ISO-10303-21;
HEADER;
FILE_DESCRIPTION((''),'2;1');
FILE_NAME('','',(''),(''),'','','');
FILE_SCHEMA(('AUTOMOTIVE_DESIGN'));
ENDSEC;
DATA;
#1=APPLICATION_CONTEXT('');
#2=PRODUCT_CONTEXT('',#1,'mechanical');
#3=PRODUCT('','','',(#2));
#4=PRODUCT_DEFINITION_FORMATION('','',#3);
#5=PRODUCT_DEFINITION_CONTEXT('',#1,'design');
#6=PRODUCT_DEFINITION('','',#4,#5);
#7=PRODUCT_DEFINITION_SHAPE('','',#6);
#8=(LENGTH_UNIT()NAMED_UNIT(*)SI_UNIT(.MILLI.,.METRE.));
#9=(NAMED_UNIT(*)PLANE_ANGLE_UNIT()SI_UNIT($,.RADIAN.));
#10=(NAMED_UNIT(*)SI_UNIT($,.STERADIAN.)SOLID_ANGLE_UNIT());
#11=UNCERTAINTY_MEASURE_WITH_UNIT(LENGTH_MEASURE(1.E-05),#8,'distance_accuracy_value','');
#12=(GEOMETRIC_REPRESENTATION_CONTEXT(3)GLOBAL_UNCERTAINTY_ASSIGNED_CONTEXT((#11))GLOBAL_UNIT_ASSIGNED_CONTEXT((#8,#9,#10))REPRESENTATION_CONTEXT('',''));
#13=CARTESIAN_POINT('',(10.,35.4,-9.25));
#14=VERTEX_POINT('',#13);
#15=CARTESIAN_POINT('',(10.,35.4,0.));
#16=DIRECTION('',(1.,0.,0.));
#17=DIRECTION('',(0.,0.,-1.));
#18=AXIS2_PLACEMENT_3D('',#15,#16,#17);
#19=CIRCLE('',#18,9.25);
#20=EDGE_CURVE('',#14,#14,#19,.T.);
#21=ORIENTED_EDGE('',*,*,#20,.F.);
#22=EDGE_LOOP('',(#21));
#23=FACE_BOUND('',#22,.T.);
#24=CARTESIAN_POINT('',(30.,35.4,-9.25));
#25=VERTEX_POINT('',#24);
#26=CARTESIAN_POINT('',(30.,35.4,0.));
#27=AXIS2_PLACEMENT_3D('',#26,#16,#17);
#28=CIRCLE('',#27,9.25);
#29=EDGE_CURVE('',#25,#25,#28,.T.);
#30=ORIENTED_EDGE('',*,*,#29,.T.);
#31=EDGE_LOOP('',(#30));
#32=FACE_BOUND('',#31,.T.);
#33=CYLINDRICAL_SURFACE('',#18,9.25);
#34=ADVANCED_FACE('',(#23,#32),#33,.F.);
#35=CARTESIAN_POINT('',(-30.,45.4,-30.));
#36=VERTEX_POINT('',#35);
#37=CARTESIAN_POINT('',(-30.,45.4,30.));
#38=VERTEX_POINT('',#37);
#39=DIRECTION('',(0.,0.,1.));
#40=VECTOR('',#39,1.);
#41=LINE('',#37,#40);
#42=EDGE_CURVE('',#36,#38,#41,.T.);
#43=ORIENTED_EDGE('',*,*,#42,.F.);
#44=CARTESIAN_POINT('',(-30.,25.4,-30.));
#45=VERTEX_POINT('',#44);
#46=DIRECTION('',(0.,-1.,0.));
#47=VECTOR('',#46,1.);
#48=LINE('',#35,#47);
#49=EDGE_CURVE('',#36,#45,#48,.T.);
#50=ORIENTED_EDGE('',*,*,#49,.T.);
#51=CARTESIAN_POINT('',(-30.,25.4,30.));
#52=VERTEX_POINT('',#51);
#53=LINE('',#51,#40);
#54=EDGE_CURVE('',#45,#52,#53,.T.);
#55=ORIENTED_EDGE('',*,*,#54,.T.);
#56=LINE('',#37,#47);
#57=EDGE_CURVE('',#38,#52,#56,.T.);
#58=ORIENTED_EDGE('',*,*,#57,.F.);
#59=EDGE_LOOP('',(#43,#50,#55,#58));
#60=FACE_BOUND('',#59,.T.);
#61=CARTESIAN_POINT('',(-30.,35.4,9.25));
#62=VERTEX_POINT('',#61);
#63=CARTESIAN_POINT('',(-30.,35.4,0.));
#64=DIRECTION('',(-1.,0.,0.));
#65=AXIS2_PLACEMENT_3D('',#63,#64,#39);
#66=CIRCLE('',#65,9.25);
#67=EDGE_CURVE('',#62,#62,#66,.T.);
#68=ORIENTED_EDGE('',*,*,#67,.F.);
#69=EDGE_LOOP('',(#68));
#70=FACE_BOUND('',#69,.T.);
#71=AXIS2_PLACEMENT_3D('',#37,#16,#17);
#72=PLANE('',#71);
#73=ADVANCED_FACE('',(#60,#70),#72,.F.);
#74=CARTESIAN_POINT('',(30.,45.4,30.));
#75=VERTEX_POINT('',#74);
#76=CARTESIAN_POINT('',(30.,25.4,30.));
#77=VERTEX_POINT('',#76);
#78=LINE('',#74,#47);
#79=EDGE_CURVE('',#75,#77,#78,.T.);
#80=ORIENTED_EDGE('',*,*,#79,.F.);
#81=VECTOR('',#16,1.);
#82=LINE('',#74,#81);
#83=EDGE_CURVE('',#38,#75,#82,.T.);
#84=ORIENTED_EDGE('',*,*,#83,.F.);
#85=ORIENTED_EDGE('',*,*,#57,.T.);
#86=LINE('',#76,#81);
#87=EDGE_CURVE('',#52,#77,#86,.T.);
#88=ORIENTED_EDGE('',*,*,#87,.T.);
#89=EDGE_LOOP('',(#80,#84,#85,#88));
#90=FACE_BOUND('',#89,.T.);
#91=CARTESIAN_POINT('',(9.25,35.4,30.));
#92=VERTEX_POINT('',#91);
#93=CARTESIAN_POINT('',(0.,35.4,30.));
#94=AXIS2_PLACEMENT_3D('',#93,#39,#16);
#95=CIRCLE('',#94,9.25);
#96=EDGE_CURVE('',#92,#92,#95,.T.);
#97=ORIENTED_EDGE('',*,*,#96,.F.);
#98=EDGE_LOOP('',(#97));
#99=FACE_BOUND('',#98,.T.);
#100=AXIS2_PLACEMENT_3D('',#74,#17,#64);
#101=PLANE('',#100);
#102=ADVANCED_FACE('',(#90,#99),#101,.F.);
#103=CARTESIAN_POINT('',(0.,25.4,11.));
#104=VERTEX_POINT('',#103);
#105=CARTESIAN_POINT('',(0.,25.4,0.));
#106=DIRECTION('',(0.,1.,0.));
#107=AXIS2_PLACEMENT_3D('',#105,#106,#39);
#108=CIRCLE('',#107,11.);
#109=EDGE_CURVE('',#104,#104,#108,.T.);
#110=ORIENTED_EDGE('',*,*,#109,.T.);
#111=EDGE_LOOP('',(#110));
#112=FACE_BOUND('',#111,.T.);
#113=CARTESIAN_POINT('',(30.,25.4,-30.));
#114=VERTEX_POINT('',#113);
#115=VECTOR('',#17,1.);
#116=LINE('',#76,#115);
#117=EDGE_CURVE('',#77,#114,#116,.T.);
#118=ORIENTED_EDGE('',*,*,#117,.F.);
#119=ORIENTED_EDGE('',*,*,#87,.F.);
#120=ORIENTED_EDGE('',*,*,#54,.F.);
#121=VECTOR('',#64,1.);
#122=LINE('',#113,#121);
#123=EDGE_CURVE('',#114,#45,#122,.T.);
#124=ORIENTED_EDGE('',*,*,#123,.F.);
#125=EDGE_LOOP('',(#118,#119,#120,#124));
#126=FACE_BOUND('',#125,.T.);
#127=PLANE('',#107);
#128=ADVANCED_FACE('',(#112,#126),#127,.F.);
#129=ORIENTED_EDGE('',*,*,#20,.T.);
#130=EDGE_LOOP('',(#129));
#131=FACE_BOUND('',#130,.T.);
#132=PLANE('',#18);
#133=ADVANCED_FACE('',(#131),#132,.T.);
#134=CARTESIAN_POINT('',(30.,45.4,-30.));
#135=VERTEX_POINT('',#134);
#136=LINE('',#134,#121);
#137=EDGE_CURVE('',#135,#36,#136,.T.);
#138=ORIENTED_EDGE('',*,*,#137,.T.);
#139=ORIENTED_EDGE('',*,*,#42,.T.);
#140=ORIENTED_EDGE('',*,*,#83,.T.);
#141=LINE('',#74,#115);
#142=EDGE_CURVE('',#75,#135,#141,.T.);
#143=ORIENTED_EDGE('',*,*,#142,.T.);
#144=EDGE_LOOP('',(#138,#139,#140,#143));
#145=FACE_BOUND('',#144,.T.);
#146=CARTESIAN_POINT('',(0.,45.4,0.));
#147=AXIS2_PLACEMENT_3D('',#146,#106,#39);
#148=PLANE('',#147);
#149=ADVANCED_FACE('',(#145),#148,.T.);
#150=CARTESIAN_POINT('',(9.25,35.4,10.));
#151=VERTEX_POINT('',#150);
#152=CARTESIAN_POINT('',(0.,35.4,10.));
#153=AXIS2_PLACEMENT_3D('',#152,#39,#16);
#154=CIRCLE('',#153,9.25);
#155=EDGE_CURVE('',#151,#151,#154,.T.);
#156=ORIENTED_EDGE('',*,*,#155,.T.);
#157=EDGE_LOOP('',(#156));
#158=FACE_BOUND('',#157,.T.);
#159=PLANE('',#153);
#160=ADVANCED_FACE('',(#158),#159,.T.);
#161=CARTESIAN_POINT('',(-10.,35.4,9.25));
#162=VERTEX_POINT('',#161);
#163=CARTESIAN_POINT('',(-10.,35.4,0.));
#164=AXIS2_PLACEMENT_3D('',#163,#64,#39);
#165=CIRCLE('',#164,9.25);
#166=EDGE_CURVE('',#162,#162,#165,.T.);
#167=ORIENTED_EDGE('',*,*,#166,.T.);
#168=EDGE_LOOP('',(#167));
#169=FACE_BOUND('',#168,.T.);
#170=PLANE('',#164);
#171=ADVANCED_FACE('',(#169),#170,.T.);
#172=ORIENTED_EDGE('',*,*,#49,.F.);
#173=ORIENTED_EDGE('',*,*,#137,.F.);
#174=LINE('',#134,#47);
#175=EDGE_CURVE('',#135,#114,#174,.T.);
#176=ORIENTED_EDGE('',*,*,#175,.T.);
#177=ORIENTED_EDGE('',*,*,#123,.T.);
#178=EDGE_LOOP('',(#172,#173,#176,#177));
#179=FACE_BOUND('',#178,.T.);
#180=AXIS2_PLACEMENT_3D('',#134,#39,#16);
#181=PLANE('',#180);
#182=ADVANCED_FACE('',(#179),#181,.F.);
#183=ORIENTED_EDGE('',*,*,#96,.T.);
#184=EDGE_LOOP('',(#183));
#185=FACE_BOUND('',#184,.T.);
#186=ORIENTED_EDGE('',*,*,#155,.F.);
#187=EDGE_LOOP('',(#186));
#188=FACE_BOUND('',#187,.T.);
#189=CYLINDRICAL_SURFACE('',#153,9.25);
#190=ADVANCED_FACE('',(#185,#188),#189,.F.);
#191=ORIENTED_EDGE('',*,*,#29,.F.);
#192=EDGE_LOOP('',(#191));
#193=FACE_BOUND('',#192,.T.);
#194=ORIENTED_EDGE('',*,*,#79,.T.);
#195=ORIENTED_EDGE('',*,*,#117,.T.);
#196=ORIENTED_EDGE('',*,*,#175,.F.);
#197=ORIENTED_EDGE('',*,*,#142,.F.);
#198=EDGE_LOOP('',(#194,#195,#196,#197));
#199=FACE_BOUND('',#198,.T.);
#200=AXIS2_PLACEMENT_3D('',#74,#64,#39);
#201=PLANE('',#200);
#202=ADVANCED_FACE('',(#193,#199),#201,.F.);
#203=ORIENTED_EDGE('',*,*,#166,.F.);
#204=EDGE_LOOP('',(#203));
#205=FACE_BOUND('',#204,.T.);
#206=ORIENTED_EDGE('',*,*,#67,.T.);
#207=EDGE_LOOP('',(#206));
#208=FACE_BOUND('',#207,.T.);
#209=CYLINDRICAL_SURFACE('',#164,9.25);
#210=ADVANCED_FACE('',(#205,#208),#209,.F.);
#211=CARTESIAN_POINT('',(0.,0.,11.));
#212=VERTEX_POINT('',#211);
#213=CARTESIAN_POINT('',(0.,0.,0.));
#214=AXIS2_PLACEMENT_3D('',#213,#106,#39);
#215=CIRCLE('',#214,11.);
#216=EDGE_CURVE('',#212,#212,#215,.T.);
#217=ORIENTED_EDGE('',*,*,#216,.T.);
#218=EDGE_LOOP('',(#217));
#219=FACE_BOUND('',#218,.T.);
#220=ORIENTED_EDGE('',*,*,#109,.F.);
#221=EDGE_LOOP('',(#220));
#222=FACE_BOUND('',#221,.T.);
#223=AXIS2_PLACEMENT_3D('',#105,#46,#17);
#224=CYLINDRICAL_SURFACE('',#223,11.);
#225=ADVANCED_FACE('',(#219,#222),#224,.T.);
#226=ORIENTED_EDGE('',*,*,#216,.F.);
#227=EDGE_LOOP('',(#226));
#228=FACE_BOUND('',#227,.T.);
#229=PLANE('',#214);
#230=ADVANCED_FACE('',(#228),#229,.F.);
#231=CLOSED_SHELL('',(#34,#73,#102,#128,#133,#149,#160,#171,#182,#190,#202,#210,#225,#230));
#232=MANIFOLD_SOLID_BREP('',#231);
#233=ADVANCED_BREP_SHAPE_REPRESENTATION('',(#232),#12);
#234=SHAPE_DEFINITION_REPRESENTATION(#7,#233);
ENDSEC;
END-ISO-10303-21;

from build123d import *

# Parameters (mm, degrees)
SKETCH1_R           = 11
BOSS_EXTRUDE1_DEPTH = 25.4
SKETCH13_W          = 60
SKETCH13_H          = 60
BOSS_EXTRUDE5_DEPTH = 20
FACE_1_R            = 9.25
CUT_EXTRUDE1_DEPTH  = 20
FACE_3_R            = 9.25
CUT_EXTRUDE2_DEPTH  = 20
CUT_EXTRUDE3_START  = -20
FACE_2_R            = 9.25
CUT_EXTRUDE3_DEPTH  = 20


with BuildPart() as part:
    # Sketch1 → Boss-Extrude1 (new body)
    with BuildSketch(Plane(origin=(0, 0, 0), x_dir=(1, 0, 0), z_dir=(0, 1, 0))):
        with Locations(Location((0, 0, 0), (0, 0, 270))):
            Circle(SKETCH1_R)
    extrude(amount=BOSS_EXTRUDE1_DEPTH)

    # Sketch13 → Boss-Extrude5 (add)
    with BuildSketch(Plane(origin=(0, 25.4, 0), x_dir=(1, 0, 0), z_dir=(0, 1, 0))):
        Rectangle(SKETCH13_W, SKETCH13_H)
    extrude(amount=BOSS_EXTRUDE5_DEPTH)

    # Face 1 → Cut-Extrude1 (cut)
    with BuildSketch(Plane.XY.offset(30)):
        with Locations((0, 35.4)):
            Circle(FACE_1_R)
    extrude(amount=-CUT_EXTRUDE1_DEPTH, mode=Mode.SUBTRACT)

    # Face 3 → Cut-Extrude2 (cut)
    with BuildSketch(Plane.ZY.offset(30)):
        with Locations((0, 35.4)):
            Circle(FACE_3_R)
    extrude(amount=-CUT_EXTRUDE2_DEPTH, mode=Mode.SUBTRACT)

    # Face 2 → Cut-Extrude3 (cut)
    with BuildSketch(Plane(origin=(30, 0, 0), x_dir=(0, 0, -1), z_dir=(1, 0, 0)).offset(CUT_EXTRUDE3_START)):
        with Locations(Location((0, 35.4, 0), (0, 0, 180))):
            Circle(FACE_2_R)
    extrude(amount=CUT_EXTRUDE3_DEPTH, mode=Mode.SUBTRACT)


solid = part.part
